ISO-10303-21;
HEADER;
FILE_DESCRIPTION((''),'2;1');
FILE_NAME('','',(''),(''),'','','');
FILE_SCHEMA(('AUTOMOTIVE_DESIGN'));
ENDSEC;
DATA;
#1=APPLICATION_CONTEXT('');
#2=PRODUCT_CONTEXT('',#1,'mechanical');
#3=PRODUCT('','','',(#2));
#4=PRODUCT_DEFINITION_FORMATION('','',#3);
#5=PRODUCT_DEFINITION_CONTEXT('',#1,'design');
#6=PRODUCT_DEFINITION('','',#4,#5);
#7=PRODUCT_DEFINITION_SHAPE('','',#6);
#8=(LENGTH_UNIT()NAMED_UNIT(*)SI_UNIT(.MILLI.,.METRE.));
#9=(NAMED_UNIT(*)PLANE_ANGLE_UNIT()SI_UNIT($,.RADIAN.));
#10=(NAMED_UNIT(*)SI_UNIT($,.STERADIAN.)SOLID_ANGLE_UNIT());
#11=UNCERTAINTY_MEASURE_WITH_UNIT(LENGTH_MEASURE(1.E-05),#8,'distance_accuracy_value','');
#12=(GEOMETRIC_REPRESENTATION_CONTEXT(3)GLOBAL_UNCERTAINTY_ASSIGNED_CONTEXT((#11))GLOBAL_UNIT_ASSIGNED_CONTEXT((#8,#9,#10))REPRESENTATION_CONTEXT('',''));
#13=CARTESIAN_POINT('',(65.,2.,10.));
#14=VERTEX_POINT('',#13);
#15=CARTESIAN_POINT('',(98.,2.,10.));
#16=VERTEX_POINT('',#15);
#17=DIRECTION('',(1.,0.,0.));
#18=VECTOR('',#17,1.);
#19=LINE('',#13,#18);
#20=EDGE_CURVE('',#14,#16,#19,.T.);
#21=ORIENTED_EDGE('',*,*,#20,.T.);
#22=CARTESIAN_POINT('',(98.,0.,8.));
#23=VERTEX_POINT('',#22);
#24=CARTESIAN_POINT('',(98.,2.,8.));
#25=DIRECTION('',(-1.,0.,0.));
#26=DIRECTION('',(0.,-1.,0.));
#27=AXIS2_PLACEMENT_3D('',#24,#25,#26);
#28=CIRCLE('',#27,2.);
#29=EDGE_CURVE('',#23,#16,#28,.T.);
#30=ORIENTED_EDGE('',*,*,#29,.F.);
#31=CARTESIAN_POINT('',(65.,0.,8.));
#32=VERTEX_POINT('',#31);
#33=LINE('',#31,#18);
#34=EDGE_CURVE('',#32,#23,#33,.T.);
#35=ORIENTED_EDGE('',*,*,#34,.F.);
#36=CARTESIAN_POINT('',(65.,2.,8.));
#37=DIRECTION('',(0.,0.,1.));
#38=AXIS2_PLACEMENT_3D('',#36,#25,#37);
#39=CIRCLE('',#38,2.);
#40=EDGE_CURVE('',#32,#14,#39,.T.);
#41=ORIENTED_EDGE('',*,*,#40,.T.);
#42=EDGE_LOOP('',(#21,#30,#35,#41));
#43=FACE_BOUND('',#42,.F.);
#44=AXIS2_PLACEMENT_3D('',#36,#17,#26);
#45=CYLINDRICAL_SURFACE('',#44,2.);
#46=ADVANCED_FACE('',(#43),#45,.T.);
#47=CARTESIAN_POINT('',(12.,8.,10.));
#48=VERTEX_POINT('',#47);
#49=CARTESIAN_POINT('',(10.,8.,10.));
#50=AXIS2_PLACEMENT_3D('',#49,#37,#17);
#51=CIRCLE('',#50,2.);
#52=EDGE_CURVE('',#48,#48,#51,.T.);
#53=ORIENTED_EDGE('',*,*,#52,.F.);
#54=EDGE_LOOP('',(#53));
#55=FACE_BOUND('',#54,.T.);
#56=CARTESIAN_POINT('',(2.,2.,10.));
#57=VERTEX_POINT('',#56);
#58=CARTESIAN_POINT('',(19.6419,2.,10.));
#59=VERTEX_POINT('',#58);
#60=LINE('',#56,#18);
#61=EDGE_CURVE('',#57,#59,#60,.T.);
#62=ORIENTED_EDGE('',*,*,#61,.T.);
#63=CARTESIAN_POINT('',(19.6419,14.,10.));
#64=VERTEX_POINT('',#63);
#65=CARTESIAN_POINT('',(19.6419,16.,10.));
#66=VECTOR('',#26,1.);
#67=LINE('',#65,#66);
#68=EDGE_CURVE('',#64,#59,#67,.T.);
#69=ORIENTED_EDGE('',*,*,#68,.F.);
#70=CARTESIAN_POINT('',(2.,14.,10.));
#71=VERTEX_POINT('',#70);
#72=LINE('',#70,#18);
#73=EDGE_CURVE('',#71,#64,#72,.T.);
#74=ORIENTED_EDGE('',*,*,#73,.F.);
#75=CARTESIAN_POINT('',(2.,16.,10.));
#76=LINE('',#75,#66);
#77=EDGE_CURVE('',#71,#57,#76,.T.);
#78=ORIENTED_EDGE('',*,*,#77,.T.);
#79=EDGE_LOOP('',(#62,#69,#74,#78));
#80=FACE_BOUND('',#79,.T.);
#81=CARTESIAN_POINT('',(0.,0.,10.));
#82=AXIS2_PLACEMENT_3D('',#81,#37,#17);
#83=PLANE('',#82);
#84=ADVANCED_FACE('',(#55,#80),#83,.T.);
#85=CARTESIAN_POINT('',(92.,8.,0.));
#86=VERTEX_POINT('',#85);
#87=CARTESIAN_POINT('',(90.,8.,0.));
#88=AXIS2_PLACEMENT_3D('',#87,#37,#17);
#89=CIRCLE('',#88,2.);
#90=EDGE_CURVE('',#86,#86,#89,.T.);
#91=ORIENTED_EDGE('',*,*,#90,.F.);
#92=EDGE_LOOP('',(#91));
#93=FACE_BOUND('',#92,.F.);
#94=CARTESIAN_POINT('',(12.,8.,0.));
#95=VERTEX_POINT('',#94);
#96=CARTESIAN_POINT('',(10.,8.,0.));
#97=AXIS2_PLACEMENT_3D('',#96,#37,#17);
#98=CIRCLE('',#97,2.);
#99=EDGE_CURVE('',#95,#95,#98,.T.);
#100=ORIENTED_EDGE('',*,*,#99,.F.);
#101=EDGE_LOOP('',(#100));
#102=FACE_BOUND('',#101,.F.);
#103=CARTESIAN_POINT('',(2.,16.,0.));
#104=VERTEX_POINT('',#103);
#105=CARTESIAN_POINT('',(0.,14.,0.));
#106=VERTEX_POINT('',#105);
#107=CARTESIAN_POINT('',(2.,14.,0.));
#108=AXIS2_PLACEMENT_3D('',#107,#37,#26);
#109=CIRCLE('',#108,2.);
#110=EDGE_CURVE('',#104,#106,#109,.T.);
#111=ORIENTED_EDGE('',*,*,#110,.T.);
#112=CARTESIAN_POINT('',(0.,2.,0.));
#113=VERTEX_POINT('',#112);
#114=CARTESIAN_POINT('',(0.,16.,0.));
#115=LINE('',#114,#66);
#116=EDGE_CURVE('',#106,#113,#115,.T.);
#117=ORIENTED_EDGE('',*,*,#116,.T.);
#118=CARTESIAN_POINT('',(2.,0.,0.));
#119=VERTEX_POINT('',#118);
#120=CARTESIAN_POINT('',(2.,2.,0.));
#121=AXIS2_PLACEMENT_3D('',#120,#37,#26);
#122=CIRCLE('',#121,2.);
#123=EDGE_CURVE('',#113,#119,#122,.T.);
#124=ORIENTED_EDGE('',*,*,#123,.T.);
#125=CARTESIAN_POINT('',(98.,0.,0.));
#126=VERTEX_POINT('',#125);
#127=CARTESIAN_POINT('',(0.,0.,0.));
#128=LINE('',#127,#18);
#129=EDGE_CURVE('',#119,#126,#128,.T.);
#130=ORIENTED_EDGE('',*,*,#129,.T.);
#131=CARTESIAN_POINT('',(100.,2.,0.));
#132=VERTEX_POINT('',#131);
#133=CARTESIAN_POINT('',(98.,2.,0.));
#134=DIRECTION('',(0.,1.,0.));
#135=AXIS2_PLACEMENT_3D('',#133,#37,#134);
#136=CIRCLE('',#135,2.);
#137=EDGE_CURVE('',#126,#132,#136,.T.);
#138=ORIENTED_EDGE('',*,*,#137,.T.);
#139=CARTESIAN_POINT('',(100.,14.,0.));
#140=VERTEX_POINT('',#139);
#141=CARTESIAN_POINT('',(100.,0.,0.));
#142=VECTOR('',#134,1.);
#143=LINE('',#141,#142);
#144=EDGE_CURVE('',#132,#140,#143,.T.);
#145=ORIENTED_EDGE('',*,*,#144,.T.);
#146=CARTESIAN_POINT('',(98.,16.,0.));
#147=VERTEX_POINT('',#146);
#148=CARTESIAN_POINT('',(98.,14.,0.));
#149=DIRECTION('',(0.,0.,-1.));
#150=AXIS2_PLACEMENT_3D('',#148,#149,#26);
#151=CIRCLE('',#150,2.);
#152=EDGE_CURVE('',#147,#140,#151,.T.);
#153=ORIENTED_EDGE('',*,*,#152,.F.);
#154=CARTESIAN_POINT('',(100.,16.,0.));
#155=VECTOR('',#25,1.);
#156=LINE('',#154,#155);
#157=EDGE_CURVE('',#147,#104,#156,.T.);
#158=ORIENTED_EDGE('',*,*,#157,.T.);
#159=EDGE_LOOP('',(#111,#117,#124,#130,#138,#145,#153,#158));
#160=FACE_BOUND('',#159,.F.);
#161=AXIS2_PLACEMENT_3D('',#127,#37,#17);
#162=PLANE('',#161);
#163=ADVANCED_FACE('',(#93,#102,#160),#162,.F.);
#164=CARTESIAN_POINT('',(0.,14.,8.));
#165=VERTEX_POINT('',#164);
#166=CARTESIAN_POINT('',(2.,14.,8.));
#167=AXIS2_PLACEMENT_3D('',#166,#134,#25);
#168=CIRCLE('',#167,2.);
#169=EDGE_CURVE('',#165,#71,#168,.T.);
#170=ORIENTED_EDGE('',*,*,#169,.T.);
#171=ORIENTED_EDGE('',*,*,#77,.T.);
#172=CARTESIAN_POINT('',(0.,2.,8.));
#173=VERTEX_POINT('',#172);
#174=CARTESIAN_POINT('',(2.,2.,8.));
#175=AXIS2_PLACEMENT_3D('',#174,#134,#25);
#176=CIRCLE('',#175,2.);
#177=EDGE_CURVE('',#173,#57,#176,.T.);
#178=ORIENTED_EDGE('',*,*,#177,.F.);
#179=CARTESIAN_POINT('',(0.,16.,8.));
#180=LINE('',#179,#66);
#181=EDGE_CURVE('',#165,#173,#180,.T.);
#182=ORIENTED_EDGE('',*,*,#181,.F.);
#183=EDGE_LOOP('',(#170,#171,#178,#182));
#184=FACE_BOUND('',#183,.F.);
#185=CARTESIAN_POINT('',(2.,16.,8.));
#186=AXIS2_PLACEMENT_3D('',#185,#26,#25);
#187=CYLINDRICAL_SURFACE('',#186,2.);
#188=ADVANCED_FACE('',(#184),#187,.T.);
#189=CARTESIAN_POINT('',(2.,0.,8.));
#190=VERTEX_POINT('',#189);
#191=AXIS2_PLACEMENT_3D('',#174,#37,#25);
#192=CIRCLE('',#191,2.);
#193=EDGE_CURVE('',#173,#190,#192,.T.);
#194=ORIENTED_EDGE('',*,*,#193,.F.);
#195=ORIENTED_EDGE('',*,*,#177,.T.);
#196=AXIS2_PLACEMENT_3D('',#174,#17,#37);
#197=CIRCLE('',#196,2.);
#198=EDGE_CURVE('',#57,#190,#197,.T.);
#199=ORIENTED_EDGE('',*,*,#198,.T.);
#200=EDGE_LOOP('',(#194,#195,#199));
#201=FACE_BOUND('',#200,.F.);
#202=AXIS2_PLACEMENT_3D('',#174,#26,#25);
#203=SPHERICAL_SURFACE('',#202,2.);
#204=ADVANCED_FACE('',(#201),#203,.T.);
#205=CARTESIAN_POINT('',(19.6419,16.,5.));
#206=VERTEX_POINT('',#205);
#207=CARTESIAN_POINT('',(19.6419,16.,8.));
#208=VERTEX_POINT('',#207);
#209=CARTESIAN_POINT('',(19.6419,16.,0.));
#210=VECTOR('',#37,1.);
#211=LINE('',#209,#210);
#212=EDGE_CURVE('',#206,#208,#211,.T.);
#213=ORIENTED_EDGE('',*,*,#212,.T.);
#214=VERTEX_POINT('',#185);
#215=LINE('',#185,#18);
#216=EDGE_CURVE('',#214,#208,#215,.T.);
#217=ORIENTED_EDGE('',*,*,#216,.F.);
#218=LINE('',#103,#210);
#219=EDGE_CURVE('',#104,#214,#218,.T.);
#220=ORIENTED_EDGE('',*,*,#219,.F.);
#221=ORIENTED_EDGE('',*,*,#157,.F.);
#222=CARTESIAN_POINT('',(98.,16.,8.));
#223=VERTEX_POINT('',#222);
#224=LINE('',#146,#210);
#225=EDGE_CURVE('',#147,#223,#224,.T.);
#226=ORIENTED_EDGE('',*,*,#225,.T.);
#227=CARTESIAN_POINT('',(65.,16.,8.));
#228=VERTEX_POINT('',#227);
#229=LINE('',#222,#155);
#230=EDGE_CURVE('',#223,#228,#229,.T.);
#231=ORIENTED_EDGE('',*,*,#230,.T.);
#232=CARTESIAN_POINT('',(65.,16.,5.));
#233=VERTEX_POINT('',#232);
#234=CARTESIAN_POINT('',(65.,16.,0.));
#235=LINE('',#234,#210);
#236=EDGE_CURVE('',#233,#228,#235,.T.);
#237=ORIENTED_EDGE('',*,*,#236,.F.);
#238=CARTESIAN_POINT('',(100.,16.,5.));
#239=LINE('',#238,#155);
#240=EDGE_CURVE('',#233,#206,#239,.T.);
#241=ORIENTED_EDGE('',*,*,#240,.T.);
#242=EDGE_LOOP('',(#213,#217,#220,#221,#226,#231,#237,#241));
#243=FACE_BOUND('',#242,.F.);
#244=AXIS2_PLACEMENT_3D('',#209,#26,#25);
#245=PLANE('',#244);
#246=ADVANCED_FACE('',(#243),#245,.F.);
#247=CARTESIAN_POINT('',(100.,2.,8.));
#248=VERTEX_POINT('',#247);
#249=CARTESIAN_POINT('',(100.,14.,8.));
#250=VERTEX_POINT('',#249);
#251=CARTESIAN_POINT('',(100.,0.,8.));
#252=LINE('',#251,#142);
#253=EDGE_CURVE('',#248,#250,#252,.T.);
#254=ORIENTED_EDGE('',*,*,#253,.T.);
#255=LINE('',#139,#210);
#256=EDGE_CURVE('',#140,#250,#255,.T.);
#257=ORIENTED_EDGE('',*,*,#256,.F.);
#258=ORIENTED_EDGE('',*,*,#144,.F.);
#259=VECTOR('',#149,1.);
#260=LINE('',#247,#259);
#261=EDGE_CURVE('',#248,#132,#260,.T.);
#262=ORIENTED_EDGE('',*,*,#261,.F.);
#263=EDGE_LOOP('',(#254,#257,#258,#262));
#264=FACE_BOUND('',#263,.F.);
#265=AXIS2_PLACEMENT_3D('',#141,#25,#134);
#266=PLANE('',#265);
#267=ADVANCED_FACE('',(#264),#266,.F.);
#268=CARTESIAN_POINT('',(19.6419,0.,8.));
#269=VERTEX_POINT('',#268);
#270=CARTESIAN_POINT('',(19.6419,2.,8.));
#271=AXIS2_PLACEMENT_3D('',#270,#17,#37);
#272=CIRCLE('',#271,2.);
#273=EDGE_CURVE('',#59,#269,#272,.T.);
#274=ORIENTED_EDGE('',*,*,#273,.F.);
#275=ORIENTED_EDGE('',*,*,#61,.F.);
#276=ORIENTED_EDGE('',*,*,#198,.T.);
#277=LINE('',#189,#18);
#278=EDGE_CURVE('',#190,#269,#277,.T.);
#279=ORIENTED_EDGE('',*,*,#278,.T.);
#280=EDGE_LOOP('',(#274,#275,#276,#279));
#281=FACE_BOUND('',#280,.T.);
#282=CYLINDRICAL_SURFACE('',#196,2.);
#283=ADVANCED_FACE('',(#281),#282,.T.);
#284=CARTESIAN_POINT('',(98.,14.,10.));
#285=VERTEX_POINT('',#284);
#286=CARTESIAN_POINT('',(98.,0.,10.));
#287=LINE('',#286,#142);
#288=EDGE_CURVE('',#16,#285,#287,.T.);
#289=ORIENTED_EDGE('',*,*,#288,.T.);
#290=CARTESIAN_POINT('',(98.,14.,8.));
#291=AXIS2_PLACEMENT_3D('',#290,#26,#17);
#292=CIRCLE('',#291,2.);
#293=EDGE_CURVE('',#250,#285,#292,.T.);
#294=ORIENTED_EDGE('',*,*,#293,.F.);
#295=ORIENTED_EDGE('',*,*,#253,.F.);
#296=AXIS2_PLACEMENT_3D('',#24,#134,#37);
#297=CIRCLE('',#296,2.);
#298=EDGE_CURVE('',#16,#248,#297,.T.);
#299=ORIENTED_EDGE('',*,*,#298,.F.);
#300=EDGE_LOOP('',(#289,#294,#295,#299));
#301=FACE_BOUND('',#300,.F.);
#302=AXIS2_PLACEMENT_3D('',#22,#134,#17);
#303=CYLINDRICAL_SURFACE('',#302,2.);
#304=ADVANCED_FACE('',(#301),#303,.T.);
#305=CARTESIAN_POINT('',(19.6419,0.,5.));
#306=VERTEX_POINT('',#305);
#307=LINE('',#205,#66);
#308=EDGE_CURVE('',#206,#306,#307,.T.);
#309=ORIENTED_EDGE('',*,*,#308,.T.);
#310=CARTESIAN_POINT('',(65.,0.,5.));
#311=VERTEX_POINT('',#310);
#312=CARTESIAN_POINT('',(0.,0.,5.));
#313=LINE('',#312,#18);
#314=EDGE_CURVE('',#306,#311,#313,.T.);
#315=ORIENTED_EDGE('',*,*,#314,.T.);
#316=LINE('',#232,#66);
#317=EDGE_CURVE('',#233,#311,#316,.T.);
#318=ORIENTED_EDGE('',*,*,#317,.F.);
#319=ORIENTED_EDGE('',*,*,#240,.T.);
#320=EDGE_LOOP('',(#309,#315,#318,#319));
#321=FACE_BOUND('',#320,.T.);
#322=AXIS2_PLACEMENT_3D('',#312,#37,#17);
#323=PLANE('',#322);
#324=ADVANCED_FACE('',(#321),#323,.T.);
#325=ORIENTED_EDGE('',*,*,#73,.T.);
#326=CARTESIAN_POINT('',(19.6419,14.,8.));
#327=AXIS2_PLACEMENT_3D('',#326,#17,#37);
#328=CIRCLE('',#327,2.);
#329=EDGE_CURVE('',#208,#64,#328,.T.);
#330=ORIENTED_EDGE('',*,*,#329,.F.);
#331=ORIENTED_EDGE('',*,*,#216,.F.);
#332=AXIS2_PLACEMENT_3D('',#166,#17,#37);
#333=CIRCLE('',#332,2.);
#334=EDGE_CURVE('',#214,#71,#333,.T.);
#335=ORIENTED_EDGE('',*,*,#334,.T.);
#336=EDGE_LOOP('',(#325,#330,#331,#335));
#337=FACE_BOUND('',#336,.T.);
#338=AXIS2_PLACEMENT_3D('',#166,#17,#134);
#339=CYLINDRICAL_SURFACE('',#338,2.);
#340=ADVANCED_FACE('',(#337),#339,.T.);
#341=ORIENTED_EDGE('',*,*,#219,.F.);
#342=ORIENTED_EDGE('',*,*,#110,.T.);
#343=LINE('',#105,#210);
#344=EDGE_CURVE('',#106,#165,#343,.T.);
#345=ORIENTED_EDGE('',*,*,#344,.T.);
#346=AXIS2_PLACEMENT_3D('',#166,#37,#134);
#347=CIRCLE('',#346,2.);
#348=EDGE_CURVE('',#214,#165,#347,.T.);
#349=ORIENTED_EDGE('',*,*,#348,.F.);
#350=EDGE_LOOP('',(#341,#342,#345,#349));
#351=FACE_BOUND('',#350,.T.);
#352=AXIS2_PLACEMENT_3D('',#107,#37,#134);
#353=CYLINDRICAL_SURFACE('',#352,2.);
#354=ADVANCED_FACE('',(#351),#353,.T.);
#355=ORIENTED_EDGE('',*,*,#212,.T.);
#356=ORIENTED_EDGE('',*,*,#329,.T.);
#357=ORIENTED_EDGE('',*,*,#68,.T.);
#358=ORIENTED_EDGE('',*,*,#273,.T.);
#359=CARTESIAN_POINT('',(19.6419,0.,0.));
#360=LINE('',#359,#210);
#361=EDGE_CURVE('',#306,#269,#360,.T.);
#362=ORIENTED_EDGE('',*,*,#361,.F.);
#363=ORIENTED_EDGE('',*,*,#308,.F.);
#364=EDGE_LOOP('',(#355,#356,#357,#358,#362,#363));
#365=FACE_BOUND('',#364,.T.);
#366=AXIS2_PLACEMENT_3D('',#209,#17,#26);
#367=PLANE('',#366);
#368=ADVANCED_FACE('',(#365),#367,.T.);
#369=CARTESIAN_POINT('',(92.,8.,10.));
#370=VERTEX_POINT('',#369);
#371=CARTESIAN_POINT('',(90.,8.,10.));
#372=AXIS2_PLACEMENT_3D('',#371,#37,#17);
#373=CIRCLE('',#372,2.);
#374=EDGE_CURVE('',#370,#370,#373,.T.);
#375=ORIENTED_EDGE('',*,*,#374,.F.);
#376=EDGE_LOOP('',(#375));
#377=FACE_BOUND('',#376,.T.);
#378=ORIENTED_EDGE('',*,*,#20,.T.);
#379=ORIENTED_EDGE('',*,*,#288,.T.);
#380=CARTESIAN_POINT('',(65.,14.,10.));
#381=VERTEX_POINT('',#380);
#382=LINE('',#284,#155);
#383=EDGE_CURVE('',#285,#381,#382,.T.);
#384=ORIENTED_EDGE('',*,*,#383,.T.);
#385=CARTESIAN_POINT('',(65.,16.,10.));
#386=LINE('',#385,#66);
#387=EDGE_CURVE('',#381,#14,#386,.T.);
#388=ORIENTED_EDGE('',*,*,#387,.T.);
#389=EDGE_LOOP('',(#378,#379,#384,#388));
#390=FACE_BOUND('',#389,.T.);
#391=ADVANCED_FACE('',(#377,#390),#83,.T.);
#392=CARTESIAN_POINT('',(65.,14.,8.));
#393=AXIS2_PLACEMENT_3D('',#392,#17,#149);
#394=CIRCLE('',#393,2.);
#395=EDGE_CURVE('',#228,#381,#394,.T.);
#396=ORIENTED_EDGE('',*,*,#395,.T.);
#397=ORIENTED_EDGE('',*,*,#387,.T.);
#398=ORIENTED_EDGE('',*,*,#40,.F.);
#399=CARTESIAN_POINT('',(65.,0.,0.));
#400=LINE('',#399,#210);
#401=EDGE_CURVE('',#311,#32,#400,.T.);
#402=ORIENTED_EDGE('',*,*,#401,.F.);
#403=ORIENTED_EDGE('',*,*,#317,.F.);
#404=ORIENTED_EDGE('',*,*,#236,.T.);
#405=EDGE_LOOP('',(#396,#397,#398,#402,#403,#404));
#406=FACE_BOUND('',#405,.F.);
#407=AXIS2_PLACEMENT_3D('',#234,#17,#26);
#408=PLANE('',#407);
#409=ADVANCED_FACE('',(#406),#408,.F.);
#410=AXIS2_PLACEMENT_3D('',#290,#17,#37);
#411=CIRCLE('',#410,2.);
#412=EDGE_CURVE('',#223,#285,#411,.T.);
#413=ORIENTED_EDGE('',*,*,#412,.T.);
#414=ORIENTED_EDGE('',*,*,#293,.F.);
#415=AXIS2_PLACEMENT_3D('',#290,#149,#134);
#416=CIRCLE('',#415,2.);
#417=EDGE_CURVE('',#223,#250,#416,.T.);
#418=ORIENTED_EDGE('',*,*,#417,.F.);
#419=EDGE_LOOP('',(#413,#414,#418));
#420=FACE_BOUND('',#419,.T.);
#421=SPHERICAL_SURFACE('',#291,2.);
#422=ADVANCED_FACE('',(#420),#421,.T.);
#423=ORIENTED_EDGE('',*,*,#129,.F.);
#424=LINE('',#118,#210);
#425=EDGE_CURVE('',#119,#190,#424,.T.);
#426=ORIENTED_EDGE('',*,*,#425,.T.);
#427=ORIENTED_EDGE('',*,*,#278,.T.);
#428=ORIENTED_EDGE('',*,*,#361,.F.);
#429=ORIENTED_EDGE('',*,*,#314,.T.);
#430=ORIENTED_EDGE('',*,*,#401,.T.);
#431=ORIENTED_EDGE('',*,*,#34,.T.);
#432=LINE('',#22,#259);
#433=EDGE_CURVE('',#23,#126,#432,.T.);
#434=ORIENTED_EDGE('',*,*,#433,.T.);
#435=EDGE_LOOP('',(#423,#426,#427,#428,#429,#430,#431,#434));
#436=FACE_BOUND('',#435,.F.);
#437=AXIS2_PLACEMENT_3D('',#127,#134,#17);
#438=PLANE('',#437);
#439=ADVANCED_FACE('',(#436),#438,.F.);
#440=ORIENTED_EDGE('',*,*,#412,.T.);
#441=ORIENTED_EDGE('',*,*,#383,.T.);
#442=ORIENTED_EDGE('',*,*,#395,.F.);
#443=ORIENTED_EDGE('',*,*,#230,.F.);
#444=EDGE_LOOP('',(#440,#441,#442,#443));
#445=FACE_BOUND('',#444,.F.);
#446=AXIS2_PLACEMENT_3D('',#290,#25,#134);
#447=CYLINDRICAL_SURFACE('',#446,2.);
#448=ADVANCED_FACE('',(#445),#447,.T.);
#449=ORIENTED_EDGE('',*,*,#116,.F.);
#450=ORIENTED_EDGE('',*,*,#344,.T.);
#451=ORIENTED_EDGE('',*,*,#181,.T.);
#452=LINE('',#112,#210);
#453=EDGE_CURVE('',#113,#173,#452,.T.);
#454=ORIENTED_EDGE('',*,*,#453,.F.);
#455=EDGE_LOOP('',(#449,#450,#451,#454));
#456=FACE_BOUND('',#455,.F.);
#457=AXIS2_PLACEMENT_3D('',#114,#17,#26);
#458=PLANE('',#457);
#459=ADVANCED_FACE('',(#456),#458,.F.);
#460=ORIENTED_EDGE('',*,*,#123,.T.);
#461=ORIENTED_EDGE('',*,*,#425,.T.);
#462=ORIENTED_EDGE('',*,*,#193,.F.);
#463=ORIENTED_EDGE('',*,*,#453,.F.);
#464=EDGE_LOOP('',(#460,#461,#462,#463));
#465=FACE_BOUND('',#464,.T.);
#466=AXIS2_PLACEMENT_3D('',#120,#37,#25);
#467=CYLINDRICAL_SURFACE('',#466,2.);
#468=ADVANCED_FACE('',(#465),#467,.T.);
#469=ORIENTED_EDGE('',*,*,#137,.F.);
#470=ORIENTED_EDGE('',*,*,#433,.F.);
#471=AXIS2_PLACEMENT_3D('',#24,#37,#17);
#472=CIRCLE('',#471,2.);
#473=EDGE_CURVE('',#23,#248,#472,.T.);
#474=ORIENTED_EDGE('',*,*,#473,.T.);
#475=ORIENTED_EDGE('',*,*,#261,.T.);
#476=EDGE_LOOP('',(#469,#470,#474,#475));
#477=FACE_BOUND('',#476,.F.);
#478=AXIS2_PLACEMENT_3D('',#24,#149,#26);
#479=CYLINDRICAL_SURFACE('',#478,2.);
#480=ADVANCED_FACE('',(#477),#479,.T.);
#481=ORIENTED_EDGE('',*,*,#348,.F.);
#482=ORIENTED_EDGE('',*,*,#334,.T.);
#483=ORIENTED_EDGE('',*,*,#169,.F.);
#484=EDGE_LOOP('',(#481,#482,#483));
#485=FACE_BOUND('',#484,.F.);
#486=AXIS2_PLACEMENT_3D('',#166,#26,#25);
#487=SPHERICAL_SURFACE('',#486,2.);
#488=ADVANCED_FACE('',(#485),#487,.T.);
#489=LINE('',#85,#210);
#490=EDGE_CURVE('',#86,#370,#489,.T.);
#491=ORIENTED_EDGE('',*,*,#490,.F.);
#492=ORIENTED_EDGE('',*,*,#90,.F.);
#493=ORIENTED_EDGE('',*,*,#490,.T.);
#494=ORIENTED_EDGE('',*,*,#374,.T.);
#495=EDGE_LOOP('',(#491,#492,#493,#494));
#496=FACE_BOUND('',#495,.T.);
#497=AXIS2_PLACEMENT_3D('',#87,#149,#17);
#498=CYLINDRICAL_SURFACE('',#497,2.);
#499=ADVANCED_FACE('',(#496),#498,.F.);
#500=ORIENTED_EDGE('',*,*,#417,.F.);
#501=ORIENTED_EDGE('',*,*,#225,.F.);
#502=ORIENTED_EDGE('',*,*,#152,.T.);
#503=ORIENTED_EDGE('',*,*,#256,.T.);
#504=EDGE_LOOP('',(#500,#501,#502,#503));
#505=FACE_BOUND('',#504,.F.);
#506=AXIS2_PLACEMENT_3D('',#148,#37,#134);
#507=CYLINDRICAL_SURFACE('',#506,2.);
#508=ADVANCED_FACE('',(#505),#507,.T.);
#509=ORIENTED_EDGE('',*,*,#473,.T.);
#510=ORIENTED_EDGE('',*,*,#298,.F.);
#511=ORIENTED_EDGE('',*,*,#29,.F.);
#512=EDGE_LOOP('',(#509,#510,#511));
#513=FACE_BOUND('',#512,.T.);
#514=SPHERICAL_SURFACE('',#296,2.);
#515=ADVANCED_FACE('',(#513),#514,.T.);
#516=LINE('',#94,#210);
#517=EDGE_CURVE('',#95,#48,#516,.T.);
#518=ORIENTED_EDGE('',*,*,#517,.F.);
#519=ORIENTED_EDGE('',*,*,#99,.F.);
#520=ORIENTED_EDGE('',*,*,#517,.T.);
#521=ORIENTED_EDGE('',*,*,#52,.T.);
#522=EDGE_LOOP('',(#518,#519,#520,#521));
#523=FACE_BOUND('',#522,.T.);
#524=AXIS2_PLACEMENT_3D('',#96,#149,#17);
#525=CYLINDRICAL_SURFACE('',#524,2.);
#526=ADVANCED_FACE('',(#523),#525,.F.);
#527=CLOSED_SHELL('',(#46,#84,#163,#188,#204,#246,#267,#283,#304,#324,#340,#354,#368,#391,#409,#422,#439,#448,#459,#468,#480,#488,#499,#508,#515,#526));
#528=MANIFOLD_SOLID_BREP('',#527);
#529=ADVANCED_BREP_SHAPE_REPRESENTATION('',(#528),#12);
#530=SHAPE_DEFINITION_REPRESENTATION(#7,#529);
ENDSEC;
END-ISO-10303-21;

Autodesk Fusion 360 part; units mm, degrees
sketch "Sketch1" plane through (0, 0, 0) normal (0, 0, 1) x (1, 0, 0)
  line L0 (0, 0) -> (100, 0)
  line L1 (100, 0) -> (100, 16)
  line L2 (100, 16) -> (0, 16)
  line L3 (0, 16) -> (0, 0)
  line L4 (0, 8) -> (100, 8) construction
  line L5 (50, 16) -> (50, 0) construction
  circle A0 centre (10, 8) radius 2
  circle A1 centre (90, 8) radius 2
  line L6 (19.6419, 16) -> (19.6419, 0)
  line L7 (65, 16) -> (65, 0)
  dimension "d1" = 16
  dimension "d2" = 4
  dimension "d3" = 4
  dimension "d4" = 40
  dimension "d5" = 40
  dimension "d22" = 35
extrude "Extrude1" add sketch "Sketch1" along normal blind 10 contours L0 L2 L3 L6 | L0 L1 L2 L7 makes body 1 at (2.6667, 8, 0) makes body 2 at (72.6667, 8, 0)
extrude "Extrude2" add sketch "Sketch1" along normal blind 5 contours L0 L2 L6 L7 bodies 1 2
fillet "Fillet1" radius 2 1 edges at (0, 8, 10) on bodies 1
fillet "Fillet2" radius 2 1 edges at (100, 8, 10) on bodies 1
fillet "Fillet3" radius 2 3 edges at (0, 16, 4) (0.5858, 16, 9.4142) (10.821, 16, 10) on bodies 1
fillet "Fillet4" radius 2 3 edges at (100, 16, 4) (99.4142, 16, 9.4142) (81.5, 16, 10) on bodies 1
fillet "Fillet5" radius 2 3 edges at (0, 0, 4) (0.5858, 0, 9.4142) (10.821, 0, 10) on bodies 1
fillet "Fillet6" radius 2 3 edges at (81.5, 0, 10) (99.4142, 0, 9.4142) (100, 0, 4) on bodies 1
